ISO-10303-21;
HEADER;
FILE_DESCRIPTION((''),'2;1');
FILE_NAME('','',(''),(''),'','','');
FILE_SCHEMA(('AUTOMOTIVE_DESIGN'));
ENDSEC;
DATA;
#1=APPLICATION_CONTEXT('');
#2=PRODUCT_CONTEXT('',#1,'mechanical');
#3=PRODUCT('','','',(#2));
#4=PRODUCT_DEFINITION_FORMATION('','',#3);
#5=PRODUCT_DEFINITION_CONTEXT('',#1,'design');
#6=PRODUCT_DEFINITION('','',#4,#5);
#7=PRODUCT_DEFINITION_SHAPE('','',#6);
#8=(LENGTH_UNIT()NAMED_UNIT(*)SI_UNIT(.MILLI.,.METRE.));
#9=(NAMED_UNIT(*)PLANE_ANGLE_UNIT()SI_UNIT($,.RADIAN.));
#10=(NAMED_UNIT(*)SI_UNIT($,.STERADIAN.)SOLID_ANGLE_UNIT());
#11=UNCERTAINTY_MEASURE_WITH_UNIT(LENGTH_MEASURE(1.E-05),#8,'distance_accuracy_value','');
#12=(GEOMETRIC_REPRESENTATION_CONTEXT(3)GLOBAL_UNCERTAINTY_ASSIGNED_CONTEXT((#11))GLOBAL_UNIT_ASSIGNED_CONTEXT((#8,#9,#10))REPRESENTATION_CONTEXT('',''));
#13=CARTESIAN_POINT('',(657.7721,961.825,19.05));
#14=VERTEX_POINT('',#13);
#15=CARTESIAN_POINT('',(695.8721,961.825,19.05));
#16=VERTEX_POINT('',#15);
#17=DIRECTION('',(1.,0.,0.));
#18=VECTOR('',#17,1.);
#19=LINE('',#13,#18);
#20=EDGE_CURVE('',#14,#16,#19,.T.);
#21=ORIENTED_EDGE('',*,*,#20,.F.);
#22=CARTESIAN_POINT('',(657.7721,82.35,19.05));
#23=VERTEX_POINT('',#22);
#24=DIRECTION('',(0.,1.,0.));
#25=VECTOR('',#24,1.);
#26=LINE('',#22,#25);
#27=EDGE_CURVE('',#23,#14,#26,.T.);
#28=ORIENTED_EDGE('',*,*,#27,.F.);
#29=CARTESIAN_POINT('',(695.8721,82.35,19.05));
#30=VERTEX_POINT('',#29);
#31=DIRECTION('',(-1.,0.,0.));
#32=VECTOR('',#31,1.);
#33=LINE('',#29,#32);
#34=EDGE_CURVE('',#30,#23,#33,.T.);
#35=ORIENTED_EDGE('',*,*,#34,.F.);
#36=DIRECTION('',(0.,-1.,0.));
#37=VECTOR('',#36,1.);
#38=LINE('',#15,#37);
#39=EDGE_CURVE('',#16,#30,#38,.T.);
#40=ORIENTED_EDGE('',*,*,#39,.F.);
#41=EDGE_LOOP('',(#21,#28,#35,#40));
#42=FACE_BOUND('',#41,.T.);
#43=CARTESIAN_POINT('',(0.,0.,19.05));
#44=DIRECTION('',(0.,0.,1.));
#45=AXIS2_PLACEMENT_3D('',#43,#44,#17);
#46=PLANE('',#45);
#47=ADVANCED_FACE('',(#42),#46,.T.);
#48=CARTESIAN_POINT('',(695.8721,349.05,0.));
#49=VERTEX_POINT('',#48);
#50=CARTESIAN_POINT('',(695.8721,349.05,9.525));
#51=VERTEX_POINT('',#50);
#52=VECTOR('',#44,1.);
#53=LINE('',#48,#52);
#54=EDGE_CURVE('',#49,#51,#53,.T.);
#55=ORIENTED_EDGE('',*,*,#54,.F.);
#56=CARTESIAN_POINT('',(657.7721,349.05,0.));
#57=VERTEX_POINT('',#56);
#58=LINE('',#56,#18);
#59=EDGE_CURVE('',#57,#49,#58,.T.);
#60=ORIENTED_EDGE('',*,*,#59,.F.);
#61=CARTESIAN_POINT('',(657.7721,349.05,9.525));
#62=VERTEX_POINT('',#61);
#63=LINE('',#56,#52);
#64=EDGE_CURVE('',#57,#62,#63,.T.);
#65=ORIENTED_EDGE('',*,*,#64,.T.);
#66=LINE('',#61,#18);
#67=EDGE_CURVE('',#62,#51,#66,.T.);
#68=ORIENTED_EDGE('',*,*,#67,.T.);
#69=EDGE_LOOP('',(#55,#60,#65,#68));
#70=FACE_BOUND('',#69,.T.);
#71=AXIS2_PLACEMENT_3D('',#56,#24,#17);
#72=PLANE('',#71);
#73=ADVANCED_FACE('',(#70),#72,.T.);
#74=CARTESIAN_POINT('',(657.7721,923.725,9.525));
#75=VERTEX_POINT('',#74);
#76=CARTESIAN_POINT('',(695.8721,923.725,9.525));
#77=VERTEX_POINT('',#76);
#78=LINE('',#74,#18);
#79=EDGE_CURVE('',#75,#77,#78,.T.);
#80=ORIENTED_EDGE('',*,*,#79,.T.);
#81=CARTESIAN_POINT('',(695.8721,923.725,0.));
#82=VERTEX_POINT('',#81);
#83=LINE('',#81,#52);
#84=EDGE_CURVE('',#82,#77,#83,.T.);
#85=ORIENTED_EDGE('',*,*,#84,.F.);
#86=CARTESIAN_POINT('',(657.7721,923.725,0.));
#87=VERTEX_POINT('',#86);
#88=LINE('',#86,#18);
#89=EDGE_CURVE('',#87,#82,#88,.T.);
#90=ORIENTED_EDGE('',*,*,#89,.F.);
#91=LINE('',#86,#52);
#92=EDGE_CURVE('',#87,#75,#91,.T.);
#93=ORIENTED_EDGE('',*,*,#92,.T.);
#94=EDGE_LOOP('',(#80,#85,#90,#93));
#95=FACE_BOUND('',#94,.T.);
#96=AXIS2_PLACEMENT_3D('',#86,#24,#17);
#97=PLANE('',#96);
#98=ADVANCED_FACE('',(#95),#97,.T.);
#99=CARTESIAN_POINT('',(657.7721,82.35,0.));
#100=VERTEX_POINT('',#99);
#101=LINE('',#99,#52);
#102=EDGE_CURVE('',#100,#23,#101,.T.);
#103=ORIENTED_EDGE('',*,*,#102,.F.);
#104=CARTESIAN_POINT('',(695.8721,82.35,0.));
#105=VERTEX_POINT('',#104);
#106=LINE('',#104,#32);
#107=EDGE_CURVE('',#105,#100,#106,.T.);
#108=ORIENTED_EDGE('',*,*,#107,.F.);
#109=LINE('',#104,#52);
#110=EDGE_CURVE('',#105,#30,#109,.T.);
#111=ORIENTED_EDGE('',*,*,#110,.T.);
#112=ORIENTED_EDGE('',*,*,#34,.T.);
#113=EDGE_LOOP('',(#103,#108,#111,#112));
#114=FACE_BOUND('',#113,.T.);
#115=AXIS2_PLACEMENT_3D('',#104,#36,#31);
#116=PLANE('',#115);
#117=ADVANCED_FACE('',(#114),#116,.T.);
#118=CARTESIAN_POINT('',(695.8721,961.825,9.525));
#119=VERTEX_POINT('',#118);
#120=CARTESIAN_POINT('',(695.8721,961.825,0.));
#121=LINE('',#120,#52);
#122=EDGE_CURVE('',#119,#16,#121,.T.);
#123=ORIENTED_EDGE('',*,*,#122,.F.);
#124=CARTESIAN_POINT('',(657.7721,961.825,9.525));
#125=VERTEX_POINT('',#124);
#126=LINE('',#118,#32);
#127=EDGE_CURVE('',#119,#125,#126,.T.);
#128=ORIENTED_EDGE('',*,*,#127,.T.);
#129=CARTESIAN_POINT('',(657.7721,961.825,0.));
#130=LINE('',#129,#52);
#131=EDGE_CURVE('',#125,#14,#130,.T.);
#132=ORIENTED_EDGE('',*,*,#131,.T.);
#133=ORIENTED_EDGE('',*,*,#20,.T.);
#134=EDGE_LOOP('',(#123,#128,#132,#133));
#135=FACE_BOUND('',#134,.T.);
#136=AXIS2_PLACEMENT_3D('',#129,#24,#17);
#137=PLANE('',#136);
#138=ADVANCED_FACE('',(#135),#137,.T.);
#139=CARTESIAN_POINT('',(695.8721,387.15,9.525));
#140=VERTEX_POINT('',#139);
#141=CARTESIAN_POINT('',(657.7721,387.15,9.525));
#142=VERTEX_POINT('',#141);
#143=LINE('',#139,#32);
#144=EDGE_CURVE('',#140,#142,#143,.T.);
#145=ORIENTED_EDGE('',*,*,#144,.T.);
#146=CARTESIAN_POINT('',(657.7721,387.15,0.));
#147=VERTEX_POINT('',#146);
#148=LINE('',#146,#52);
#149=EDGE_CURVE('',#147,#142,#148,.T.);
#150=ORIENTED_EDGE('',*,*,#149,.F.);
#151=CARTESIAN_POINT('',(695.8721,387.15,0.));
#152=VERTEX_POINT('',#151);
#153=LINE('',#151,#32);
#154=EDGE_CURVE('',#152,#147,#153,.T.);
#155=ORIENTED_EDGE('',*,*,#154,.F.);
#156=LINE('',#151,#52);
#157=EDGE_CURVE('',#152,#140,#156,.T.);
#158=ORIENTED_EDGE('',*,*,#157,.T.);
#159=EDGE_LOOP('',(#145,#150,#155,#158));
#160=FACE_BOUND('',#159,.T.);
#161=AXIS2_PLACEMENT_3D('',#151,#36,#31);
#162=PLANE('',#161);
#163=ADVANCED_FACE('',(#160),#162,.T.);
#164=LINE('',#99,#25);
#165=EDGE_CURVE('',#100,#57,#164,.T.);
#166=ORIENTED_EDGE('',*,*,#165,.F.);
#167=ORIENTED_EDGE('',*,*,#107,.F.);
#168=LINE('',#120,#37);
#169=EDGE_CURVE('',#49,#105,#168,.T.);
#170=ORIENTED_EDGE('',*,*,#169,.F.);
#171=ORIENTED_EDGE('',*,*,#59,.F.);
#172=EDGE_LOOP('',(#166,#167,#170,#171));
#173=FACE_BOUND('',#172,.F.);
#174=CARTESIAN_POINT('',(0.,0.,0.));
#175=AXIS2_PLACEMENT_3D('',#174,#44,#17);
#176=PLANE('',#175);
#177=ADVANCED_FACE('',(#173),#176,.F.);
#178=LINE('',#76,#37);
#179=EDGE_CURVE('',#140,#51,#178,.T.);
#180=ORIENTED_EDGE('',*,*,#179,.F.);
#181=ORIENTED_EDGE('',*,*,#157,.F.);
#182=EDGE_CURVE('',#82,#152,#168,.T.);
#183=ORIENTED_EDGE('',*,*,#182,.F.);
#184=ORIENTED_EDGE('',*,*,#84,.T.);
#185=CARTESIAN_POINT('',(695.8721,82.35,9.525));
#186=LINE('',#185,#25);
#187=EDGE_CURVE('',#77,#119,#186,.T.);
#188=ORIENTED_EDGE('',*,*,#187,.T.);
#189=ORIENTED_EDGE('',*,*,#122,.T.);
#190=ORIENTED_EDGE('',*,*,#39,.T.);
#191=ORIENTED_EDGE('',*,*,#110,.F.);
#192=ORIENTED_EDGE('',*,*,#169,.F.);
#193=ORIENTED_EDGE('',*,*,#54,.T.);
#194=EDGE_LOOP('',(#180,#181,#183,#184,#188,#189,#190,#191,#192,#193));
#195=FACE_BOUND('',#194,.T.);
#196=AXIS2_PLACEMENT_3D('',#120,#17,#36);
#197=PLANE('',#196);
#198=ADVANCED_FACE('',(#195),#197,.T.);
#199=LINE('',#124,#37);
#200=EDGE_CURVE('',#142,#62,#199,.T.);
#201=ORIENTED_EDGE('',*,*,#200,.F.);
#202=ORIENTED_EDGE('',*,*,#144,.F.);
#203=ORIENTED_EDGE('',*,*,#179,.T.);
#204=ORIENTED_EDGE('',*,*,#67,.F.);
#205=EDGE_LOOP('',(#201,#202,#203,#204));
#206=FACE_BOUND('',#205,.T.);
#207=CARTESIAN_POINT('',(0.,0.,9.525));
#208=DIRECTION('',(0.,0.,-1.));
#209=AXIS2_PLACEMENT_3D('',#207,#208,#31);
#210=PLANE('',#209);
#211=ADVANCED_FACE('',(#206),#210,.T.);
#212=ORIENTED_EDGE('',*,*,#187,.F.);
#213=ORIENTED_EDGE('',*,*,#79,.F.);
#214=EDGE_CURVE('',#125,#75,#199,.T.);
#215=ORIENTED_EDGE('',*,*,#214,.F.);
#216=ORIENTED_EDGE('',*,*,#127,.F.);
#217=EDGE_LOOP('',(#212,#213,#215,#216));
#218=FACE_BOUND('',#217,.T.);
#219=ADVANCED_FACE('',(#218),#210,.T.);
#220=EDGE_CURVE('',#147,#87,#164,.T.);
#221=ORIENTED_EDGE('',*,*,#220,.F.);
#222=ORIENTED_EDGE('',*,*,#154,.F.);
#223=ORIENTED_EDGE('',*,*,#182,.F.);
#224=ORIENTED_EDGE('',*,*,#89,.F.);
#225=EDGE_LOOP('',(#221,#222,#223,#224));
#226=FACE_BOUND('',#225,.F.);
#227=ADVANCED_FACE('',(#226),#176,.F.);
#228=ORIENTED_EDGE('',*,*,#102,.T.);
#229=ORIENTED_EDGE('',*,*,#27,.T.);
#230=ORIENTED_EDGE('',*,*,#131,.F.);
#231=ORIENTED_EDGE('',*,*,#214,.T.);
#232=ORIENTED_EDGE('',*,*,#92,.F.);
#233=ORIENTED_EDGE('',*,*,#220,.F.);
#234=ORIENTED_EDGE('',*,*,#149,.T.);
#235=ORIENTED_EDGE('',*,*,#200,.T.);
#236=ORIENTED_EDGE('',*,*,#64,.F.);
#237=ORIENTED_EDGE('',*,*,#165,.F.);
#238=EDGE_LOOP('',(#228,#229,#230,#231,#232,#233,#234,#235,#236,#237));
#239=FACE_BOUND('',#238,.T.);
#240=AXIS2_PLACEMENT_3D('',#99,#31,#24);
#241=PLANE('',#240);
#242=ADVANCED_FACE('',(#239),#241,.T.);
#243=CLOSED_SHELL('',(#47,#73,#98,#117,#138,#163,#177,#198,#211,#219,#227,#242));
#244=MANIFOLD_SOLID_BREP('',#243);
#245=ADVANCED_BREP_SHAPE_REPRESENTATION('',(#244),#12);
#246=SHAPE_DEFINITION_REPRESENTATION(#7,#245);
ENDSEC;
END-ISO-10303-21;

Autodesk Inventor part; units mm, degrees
ref_plane "YZ Plane" through (0, 0, 0) normal (1, 0, 0) x (0, 1, 0)
ref_plane "XZ Plane" through (0, 0, 0) normal (0, 1, 0) x (-1, 0, 0)
ref_plane "XY Plane" through (0, 0, 0) normal (0, 0, 1) x (1, 0, 0)
sketch "Sketch1" plane through (0, 0, 0) normal (0, 0, 1) x (1, 0, 0)
  line L0 (657.7721, 961.825) -> (695.8721, 961.825)
  line L1 (695.8721, 961.825) -> (695.8721, 82.35)
  line L2 (695.8721, 82.35) -> (657.7721, 82.35)
  line L3 (657.7721, 82.35) -> (657.7721, 961.825)
  point P0 (0, 0)
  dimension "d0" = 879.475
  dimension "d1" = 38.1
extrude "Board" add sketch "Sketch1" along normal blind 19.05
sketch "Sketch2" plane through (0, 0, 0) normal (0, 0, -1) x (-1, 0, 0)
  line L0 (-695.8721, 82.35) -> (-695.8721, 961.825) projected
  line L1 (-657.7721, 961.825) -> (-657.7721, 82.35) projected
  line L2 (-695.8721, 961.825) -> (-657.7721, 961.825)
  line L3 (-657.7721, 961.825) -> (-657.7721, 923.725)
  line L4 (-657.7721, 923.725) -> (-695.8721, 923.725)
  line L5 (-695.8721, 923.725) -> (-695.8721, 961.825)
  point P0 (0, 0)
  dimension "d4" = 38.1
extrude "Top Notch" cut sketch "Sketch2" against normal blind 9.525
sketch "Sketch3" plane through (0, 0, 0) normal (0, 0, -1) x (-1, 0, 0)
  line L0 (-695.8721, 923.725) -> (-695.8721, 82.35) projected
  line L1 (-657.7721, 961.825) -> (-657.7721, 82.35) projected
  line L2 (-695.8721, 387.15) -> (-657.7721, 387.15)
  line L3 (-657.7721, 387.15) -> (-657.7721, 349.05)
  line L4 (-657.7721, 349.05) -> (-695.8721, 349.05)
  line L5 (-695.8721, 349.05) -> (-695.8721, 387.15)
  line L6 (-695.8721, 82.35) -> (-657.7721, 82.35) projected
  line L7 (-695.8721, 961.825) -> (-657.7721, 961.825) projected
  point P0 (0, 0)
  dimension "d7" = 38.1
  dimension "d11" = 574.675
extrude "Bottom Notch" cut sketch "Sketch3" against normal blind 9.525 contours L2 L1 L4 L0
properties part number "Cabinet Support Frame Center Vertical Bar"
